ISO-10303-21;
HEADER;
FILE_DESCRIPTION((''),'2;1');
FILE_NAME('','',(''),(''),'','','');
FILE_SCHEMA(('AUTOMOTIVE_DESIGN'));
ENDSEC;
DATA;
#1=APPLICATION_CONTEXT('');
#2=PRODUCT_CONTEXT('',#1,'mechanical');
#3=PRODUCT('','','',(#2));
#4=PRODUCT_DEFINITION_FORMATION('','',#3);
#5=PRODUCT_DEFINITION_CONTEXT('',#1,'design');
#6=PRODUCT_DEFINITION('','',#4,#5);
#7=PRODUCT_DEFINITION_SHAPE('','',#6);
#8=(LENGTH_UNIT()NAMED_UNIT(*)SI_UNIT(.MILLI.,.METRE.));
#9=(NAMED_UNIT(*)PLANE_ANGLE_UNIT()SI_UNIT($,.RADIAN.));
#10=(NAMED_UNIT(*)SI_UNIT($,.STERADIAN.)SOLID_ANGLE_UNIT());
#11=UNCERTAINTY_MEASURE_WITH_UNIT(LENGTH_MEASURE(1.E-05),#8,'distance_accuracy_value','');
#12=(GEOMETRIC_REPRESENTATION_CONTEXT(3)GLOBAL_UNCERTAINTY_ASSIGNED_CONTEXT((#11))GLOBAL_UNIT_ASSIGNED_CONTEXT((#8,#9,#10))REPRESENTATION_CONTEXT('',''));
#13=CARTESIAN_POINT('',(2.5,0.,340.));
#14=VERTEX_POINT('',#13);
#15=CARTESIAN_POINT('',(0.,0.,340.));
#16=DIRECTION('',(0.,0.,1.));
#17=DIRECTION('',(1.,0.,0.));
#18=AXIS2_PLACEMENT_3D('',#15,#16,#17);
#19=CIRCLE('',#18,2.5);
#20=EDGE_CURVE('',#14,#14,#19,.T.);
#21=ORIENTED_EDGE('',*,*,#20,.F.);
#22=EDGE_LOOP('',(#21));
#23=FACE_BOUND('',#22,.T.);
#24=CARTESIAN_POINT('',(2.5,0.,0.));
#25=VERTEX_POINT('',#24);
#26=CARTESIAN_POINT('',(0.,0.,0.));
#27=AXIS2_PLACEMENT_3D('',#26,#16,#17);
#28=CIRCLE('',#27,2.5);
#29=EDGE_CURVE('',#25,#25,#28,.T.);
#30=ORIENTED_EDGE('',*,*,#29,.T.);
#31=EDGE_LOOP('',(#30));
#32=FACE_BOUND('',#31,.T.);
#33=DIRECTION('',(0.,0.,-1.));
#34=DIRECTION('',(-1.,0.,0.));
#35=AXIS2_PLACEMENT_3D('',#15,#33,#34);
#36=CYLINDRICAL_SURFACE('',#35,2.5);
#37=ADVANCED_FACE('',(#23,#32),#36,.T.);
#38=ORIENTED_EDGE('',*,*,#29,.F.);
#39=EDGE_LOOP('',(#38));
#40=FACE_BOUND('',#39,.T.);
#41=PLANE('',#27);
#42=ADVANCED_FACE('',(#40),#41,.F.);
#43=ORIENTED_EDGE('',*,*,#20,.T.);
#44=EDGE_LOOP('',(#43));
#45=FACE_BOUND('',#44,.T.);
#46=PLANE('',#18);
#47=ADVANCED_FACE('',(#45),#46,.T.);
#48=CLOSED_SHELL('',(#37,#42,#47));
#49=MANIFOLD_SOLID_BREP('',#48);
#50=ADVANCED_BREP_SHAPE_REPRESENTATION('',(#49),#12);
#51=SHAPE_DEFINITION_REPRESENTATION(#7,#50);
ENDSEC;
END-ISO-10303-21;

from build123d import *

# Parameters (mm, degrees)
SZKIC1_R                    = 2.5
DODANIE_WYCI_GNI_CIE1_DEPTH = 340


with BuildPart() as part:
    # Szkic1 → Dodanie-wyciągnięcie1 (new body)
    with BuildSketch(Plane.XY):
        Circle(SZKIC1_R)
    extrude(amount=DODANIE_WYCI_GNI_CIE1_DEPTH)


solid = part.part
